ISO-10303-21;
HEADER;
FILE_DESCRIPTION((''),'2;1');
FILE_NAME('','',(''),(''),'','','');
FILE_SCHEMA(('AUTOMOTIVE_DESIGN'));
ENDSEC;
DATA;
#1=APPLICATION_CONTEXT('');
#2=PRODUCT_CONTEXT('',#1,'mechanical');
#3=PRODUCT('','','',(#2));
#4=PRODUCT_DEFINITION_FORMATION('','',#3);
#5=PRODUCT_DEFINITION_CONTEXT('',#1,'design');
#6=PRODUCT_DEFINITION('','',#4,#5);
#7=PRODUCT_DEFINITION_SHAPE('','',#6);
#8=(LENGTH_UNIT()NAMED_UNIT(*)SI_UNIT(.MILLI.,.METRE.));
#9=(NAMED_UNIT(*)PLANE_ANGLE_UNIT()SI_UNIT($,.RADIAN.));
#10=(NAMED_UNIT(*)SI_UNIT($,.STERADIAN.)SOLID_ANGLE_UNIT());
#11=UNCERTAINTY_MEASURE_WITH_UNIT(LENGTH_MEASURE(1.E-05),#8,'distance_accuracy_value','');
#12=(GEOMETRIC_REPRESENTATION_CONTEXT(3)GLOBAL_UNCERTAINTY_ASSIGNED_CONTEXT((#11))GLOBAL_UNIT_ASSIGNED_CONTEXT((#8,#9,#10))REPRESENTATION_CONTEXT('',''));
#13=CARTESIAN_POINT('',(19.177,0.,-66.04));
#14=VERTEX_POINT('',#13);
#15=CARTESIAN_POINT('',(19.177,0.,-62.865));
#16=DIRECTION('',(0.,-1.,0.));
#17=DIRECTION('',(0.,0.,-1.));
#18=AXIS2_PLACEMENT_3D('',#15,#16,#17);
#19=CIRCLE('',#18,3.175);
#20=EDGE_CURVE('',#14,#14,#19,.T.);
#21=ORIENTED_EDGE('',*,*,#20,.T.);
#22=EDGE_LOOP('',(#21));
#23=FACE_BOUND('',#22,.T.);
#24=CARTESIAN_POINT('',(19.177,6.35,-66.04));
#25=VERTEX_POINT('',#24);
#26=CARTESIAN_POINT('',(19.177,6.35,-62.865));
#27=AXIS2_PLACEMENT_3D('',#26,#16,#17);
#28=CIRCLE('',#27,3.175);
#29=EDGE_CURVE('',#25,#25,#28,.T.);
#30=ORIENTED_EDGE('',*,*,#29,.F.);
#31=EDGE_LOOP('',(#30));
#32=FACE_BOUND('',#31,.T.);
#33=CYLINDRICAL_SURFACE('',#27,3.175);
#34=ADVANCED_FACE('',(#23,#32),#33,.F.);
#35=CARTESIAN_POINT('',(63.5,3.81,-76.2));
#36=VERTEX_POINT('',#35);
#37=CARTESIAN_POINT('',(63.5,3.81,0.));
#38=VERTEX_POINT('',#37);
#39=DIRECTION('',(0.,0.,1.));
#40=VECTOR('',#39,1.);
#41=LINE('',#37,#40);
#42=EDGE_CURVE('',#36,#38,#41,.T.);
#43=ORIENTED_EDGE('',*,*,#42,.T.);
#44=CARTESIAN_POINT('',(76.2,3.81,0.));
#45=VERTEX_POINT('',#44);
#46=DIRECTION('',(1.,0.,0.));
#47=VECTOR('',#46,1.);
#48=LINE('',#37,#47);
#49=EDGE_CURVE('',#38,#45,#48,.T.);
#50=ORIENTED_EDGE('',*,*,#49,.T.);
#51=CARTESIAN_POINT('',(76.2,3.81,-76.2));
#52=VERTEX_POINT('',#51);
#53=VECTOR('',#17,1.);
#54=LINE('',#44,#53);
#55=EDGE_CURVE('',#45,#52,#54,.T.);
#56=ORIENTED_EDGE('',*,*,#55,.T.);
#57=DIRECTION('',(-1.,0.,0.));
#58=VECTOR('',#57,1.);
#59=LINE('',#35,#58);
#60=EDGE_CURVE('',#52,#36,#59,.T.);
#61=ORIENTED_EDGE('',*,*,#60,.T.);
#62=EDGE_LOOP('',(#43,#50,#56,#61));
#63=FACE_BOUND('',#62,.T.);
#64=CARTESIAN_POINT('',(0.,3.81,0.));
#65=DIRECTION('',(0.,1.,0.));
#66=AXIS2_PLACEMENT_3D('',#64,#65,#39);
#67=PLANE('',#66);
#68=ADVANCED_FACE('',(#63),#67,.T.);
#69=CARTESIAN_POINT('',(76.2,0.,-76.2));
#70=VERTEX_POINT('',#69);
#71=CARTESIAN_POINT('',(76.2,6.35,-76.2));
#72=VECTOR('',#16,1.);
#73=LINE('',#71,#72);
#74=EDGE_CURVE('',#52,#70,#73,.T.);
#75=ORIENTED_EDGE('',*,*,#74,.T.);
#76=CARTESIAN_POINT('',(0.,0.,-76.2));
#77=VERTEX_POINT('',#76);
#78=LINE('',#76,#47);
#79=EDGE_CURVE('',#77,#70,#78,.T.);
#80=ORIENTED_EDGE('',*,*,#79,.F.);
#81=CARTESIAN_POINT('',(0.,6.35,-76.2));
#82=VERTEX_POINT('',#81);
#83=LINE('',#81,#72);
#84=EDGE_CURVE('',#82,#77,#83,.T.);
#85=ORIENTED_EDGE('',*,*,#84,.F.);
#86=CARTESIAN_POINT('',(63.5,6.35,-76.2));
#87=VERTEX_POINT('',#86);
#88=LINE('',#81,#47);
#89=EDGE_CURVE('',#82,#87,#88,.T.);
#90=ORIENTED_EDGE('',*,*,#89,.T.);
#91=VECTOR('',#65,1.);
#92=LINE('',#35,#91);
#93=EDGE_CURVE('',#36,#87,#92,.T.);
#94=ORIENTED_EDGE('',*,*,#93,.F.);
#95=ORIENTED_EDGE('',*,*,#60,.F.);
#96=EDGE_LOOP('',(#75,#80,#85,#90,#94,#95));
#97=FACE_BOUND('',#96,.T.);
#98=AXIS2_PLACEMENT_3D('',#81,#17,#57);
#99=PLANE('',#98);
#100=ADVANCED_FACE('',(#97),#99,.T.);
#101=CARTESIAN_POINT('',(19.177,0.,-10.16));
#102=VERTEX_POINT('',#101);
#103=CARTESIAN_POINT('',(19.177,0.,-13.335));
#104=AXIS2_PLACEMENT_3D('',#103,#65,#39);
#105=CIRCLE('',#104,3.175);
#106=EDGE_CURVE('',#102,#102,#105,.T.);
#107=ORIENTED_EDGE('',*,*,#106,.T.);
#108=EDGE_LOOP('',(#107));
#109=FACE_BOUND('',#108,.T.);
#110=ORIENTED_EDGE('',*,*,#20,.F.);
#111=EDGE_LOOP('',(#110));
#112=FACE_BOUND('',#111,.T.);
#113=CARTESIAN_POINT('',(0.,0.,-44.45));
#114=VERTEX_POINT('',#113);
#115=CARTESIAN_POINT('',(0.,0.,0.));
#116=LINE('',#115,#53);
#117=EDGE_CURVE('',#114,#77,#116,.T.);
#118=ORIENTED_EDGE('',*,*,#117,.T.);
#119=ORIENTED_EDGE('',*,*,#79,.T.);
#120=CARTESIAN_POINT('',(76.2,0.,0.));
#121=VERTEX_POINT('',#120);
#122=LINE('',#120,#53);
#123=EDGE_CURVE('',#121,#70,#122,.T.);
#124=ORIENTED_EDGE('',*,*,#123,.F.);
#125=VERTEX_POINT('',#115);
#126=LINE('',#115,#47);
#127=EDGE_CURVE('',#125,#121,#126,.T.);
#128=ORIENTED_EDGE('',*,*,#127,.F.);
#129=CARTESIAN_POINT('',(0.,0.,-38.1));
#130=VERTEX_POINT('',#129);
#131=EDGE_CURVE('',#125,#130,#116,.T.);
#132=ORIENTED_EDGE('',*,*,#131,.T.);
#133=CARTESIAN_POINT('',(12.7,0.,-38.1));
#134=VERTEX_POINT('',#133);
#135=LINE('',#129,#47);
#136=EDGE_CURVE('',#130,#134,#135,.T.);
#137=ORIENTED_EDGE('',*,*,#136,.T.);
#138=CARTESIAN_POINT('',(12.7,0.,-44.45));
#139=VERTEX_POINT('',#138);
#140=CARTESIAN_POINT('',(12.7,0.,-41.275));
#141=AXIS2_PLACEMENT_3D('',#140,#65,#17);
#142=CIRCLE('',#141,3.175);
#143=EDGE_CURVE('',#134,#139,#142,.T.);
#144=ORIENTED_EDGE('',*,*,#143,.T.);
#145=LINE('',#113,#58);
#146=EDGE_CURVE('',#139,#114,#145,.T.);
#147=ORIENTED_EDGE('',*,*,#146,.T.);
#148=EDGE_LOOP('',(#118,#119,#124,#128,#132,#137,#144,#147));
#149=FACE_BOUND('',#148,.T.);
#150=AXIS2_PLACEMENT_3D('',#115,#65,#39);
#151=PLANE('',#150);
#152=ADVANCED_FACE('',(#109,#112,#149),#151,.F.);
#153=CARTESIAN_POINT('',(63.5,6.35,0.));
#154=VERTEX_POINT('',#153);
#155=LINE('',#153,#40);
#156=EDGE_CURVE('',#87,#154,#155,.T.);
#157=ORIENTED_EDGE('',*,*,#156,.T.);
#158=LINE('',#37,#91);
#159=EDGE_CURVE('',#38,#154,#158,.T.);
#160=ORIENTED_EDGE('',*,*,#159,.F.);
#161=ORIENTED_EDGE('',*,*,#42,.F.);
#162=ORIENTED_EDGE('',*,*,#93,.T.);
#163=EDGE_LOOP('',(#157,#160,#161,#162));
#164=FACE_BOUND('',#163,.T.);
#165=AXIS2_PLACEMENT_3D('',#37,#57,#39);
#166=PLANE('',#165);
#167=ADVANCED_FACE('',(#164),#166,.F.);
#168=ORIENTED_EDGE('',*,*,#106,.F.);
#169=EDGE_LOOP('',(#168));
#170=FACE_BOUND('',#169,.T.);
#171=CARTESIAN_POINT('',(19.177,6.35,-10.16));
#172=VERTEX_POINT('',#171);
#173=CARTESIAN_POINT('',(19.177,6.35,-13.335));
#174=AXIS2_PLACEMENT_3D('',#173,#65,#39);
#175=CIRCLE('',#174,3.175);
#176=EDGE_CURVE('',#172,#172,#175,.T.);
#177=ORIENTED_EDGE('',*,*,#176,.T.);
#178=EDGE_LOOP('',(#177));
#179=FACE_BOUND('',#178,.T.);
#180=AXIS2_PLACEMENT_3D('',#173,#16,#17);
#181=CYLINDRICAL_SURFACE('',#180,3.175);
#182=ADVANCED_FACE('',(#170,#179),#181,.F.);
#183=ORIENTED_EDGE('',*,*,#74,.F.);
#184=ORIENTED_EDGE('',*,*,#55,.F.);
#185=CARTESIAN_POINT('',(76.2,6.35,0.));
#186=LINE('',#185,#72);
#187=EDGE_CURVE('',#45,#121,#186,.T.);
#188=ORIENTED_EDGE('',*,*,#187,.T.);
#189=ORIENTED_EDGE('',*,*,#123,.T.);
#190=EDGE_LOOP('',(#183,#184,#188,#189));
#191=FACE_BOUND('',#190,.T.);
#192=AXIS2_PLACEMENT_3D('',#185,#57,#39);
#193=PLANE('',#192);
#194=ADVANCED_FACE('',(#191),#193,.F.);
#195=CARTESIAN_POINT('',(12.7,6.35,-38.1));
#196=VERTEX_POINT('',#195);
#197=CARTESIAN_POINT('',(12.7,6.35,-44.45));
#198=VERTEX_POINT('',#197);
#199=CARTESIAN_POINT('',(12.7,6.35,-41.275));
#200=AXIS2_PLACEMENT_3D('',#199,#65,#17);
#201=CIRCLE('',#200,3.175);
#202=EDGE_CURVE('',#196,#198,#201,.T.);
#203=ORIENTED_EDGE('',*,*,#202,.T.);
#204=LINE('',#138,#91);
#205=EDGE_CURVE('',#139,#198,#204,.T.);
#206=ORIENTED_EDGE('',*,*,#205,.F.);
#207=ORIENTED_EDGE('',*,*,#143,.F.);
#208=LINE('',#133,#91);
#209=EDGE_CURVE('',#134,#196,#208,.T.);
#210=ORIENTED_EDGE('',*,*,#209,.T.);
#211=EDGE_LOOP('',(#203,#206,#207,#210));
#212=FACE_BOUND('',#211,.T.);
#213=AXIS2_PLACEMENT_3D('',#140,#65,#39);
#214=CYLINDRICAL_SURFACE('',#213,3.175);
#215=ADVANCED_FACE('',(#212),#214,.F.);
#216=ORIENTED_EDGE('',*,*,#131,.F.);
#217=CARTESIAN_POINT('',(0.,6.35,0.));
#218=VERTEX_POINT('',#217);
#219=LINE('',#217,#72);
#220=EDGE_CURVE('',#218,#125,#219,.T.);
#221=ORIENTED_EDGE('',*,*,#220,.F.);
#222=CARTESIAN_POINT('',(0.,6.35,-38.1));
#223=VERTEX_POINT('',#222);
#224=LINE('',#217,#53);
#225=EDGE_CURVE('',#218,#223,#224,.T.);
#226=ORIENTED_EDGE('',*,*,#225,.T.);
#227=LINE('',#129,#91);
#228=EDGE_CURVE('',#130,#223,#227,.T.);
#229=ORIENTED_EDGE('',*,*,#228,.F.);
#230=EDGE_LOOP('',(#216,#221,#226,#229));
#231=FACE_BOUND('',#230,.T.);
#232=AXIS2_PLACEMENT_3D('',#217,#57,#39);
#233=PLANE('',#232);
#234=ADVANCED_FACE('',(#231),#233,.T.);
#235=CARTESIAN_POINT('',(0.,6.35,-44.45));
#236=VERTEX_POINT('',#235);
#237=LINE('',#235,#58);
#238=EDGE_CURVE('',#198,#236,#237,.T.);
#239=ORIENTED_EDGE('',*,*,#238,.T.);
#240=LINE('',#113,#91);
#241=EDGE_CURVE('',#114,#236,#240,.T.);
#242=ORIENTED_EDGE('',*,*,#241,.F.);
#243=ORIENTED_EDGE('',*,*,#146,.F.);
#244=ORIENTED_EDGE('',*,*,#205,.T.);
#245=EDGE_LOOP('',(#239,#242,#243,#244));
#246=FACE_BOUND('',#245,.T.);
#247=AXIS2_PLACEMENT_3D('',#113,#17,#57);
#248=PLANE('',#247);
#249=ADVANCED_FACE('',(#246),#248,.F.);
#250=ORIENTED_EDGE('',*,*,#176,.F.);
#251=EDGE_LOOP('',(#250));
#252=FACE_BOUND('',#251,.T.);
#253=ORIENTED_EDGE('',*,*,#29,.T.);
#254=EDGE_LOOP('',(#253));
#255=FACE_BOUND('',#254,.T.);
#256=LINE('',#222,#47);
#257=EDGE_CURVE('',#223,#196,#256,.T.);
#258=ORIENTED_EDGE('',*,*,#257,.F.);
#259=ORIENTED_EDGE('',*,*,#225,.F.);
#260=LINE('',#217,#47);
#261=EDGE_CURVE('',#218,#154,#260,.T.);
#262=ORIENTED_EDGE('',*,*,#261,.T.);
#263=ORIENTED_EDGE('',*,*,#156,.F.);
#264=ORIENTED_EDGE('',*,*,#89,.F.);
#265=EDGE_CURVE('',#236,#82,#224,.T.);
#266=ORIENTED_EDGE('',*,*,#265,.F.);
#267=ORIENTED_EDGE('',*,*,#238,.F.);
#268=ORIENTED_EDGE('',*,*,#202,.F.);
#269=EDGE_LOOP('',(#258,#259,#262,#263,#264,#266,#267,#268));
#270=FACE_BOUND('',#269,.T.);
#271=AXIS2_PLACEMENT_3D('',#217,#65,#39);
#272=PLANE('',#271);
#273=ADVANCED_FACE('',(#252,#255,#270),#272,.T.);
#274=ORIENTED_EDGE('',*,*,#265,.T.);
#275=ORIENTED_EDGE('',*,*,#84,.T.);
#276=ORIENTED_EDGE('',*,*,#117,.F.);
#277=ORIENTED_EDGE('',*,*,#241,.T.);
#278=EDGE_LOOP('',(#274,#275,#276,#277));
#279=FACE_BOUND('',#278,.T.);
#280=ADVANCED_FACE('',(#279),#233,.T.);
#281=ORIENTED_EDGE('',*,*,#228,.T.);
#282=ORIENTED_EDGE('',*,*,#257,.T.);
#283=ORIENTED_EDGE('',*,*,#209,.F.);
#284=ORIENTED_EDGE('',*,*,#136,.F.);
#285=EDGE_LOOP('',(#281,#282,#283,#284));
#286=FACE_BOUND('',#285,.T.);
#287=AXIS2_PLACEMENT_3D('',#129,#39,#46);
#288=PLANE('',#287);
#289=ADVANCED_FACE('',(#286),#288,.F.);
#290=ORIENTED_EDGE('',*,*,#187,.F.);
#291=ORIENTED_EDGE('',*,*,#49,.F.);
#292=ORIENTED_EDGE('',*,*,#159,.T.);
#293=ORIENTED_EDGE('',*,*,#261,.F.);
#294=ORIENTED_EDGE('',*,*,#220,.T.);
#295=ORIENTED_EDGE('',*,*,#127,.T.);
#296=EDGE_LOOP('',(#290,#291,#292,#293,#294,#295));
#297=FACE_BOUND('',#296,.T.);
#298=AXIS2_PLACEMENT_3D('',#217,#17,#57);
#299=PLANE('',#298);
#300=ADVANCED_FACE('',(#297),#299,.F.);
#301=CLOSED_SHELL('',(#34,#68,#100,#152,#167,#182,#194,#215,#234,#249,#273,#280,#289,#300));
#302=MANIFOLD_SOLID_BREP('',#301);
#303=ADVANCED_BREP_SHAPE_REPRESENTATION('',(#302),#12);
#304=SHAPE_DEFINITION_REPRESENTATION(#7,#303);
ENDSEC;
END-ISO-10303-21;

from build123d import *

# Parameters (mm, degrees)
SKETCH1_W           = 63.5
SKETCH1_H           = 76.2
SKETCH1_R           = 3.175
SKETCH1_W_2         = 12.7
BOSS_EXTRUDE1_DEPTH = 6.35
SKETCH2_W           = 12.7
SKETCH2_H           = 76.2
CUT_EXTRUDE1_DEPTH  = 2.54
CUT_EXTRUDE2_DEPTH  = 108.95


with BuildPart() as part:
    # Sketch1 → Boss-Extrude1 (new body)
    # profile 1 of 2: a face of its own
    with BuildSketch(Plane(origin=(0, 0, 0), x_dir=(1, 0, 0), z_dir=(0, 1, 0))):
        with Locations((31.75, 38.1)):
            Rectangle(SKETCH1_W, SKETCH1_H)
        with Locations(Location((19.177, 13.335, 0), (0, 0, 270))):
            Circle(SKETCH1_R, mode=Mode.SUBTRACT)
        with Locations(Location((19.177, 62.865, 0), (0, 0, 90))):
            Circle(SKETCH1_R, mode=Mode.SUBTRACT)
    # profile 2 of 2: a face of its own
    with BuildSketch(Plane(origin=(0, 0, 0), x_dir=(1, 0, 0), z_dir=(0, 1, 0))):
        with Locations((69.85, 38.1)):
            Rectangle(SKETCH1_W_2, SKETCH1_H)
    extrude(amount=BOSS_EXTRUDE1_DEPTH)

    # Sketch2 → Cut-Extrude1 (cut)
    with BuildSketch(Plane(origin=(0, 6.35, 0), x_dir=(1, 0, 0), z_dir=(0, 1, 0))):
        with Locations((69.85, 38.1)):
            Rectangle(SKETCH2_W, SKETCH2_H)
    extrude(amount=-CUT_EXTRUDE1_DEPTH, mode=Mode.SUBTRACT)

    # Sketch3 → Cut-Extrude2 (cut, through all)
    with BuildSketch(Plane(origin=(0, 6.35, 0), x_dir=(1, 0, 0), z_dir=(0, 1, 0))):
        with BuildLine():
            Line((0, 44.45), (12.7, 44.45))
            ThreePointArc((12.7, 44.45), (15.875, 41.275), (12.7, 38.1))
            Line((12.7, 38.1), (0, 38.1))
            Line((0, 38.1), (0, 44.45))
        make_face()
    extrude(amount=-CUT_EXTRUDE2_DEPTH, mode=Mode.SUBTRACT)


solid = part.part
